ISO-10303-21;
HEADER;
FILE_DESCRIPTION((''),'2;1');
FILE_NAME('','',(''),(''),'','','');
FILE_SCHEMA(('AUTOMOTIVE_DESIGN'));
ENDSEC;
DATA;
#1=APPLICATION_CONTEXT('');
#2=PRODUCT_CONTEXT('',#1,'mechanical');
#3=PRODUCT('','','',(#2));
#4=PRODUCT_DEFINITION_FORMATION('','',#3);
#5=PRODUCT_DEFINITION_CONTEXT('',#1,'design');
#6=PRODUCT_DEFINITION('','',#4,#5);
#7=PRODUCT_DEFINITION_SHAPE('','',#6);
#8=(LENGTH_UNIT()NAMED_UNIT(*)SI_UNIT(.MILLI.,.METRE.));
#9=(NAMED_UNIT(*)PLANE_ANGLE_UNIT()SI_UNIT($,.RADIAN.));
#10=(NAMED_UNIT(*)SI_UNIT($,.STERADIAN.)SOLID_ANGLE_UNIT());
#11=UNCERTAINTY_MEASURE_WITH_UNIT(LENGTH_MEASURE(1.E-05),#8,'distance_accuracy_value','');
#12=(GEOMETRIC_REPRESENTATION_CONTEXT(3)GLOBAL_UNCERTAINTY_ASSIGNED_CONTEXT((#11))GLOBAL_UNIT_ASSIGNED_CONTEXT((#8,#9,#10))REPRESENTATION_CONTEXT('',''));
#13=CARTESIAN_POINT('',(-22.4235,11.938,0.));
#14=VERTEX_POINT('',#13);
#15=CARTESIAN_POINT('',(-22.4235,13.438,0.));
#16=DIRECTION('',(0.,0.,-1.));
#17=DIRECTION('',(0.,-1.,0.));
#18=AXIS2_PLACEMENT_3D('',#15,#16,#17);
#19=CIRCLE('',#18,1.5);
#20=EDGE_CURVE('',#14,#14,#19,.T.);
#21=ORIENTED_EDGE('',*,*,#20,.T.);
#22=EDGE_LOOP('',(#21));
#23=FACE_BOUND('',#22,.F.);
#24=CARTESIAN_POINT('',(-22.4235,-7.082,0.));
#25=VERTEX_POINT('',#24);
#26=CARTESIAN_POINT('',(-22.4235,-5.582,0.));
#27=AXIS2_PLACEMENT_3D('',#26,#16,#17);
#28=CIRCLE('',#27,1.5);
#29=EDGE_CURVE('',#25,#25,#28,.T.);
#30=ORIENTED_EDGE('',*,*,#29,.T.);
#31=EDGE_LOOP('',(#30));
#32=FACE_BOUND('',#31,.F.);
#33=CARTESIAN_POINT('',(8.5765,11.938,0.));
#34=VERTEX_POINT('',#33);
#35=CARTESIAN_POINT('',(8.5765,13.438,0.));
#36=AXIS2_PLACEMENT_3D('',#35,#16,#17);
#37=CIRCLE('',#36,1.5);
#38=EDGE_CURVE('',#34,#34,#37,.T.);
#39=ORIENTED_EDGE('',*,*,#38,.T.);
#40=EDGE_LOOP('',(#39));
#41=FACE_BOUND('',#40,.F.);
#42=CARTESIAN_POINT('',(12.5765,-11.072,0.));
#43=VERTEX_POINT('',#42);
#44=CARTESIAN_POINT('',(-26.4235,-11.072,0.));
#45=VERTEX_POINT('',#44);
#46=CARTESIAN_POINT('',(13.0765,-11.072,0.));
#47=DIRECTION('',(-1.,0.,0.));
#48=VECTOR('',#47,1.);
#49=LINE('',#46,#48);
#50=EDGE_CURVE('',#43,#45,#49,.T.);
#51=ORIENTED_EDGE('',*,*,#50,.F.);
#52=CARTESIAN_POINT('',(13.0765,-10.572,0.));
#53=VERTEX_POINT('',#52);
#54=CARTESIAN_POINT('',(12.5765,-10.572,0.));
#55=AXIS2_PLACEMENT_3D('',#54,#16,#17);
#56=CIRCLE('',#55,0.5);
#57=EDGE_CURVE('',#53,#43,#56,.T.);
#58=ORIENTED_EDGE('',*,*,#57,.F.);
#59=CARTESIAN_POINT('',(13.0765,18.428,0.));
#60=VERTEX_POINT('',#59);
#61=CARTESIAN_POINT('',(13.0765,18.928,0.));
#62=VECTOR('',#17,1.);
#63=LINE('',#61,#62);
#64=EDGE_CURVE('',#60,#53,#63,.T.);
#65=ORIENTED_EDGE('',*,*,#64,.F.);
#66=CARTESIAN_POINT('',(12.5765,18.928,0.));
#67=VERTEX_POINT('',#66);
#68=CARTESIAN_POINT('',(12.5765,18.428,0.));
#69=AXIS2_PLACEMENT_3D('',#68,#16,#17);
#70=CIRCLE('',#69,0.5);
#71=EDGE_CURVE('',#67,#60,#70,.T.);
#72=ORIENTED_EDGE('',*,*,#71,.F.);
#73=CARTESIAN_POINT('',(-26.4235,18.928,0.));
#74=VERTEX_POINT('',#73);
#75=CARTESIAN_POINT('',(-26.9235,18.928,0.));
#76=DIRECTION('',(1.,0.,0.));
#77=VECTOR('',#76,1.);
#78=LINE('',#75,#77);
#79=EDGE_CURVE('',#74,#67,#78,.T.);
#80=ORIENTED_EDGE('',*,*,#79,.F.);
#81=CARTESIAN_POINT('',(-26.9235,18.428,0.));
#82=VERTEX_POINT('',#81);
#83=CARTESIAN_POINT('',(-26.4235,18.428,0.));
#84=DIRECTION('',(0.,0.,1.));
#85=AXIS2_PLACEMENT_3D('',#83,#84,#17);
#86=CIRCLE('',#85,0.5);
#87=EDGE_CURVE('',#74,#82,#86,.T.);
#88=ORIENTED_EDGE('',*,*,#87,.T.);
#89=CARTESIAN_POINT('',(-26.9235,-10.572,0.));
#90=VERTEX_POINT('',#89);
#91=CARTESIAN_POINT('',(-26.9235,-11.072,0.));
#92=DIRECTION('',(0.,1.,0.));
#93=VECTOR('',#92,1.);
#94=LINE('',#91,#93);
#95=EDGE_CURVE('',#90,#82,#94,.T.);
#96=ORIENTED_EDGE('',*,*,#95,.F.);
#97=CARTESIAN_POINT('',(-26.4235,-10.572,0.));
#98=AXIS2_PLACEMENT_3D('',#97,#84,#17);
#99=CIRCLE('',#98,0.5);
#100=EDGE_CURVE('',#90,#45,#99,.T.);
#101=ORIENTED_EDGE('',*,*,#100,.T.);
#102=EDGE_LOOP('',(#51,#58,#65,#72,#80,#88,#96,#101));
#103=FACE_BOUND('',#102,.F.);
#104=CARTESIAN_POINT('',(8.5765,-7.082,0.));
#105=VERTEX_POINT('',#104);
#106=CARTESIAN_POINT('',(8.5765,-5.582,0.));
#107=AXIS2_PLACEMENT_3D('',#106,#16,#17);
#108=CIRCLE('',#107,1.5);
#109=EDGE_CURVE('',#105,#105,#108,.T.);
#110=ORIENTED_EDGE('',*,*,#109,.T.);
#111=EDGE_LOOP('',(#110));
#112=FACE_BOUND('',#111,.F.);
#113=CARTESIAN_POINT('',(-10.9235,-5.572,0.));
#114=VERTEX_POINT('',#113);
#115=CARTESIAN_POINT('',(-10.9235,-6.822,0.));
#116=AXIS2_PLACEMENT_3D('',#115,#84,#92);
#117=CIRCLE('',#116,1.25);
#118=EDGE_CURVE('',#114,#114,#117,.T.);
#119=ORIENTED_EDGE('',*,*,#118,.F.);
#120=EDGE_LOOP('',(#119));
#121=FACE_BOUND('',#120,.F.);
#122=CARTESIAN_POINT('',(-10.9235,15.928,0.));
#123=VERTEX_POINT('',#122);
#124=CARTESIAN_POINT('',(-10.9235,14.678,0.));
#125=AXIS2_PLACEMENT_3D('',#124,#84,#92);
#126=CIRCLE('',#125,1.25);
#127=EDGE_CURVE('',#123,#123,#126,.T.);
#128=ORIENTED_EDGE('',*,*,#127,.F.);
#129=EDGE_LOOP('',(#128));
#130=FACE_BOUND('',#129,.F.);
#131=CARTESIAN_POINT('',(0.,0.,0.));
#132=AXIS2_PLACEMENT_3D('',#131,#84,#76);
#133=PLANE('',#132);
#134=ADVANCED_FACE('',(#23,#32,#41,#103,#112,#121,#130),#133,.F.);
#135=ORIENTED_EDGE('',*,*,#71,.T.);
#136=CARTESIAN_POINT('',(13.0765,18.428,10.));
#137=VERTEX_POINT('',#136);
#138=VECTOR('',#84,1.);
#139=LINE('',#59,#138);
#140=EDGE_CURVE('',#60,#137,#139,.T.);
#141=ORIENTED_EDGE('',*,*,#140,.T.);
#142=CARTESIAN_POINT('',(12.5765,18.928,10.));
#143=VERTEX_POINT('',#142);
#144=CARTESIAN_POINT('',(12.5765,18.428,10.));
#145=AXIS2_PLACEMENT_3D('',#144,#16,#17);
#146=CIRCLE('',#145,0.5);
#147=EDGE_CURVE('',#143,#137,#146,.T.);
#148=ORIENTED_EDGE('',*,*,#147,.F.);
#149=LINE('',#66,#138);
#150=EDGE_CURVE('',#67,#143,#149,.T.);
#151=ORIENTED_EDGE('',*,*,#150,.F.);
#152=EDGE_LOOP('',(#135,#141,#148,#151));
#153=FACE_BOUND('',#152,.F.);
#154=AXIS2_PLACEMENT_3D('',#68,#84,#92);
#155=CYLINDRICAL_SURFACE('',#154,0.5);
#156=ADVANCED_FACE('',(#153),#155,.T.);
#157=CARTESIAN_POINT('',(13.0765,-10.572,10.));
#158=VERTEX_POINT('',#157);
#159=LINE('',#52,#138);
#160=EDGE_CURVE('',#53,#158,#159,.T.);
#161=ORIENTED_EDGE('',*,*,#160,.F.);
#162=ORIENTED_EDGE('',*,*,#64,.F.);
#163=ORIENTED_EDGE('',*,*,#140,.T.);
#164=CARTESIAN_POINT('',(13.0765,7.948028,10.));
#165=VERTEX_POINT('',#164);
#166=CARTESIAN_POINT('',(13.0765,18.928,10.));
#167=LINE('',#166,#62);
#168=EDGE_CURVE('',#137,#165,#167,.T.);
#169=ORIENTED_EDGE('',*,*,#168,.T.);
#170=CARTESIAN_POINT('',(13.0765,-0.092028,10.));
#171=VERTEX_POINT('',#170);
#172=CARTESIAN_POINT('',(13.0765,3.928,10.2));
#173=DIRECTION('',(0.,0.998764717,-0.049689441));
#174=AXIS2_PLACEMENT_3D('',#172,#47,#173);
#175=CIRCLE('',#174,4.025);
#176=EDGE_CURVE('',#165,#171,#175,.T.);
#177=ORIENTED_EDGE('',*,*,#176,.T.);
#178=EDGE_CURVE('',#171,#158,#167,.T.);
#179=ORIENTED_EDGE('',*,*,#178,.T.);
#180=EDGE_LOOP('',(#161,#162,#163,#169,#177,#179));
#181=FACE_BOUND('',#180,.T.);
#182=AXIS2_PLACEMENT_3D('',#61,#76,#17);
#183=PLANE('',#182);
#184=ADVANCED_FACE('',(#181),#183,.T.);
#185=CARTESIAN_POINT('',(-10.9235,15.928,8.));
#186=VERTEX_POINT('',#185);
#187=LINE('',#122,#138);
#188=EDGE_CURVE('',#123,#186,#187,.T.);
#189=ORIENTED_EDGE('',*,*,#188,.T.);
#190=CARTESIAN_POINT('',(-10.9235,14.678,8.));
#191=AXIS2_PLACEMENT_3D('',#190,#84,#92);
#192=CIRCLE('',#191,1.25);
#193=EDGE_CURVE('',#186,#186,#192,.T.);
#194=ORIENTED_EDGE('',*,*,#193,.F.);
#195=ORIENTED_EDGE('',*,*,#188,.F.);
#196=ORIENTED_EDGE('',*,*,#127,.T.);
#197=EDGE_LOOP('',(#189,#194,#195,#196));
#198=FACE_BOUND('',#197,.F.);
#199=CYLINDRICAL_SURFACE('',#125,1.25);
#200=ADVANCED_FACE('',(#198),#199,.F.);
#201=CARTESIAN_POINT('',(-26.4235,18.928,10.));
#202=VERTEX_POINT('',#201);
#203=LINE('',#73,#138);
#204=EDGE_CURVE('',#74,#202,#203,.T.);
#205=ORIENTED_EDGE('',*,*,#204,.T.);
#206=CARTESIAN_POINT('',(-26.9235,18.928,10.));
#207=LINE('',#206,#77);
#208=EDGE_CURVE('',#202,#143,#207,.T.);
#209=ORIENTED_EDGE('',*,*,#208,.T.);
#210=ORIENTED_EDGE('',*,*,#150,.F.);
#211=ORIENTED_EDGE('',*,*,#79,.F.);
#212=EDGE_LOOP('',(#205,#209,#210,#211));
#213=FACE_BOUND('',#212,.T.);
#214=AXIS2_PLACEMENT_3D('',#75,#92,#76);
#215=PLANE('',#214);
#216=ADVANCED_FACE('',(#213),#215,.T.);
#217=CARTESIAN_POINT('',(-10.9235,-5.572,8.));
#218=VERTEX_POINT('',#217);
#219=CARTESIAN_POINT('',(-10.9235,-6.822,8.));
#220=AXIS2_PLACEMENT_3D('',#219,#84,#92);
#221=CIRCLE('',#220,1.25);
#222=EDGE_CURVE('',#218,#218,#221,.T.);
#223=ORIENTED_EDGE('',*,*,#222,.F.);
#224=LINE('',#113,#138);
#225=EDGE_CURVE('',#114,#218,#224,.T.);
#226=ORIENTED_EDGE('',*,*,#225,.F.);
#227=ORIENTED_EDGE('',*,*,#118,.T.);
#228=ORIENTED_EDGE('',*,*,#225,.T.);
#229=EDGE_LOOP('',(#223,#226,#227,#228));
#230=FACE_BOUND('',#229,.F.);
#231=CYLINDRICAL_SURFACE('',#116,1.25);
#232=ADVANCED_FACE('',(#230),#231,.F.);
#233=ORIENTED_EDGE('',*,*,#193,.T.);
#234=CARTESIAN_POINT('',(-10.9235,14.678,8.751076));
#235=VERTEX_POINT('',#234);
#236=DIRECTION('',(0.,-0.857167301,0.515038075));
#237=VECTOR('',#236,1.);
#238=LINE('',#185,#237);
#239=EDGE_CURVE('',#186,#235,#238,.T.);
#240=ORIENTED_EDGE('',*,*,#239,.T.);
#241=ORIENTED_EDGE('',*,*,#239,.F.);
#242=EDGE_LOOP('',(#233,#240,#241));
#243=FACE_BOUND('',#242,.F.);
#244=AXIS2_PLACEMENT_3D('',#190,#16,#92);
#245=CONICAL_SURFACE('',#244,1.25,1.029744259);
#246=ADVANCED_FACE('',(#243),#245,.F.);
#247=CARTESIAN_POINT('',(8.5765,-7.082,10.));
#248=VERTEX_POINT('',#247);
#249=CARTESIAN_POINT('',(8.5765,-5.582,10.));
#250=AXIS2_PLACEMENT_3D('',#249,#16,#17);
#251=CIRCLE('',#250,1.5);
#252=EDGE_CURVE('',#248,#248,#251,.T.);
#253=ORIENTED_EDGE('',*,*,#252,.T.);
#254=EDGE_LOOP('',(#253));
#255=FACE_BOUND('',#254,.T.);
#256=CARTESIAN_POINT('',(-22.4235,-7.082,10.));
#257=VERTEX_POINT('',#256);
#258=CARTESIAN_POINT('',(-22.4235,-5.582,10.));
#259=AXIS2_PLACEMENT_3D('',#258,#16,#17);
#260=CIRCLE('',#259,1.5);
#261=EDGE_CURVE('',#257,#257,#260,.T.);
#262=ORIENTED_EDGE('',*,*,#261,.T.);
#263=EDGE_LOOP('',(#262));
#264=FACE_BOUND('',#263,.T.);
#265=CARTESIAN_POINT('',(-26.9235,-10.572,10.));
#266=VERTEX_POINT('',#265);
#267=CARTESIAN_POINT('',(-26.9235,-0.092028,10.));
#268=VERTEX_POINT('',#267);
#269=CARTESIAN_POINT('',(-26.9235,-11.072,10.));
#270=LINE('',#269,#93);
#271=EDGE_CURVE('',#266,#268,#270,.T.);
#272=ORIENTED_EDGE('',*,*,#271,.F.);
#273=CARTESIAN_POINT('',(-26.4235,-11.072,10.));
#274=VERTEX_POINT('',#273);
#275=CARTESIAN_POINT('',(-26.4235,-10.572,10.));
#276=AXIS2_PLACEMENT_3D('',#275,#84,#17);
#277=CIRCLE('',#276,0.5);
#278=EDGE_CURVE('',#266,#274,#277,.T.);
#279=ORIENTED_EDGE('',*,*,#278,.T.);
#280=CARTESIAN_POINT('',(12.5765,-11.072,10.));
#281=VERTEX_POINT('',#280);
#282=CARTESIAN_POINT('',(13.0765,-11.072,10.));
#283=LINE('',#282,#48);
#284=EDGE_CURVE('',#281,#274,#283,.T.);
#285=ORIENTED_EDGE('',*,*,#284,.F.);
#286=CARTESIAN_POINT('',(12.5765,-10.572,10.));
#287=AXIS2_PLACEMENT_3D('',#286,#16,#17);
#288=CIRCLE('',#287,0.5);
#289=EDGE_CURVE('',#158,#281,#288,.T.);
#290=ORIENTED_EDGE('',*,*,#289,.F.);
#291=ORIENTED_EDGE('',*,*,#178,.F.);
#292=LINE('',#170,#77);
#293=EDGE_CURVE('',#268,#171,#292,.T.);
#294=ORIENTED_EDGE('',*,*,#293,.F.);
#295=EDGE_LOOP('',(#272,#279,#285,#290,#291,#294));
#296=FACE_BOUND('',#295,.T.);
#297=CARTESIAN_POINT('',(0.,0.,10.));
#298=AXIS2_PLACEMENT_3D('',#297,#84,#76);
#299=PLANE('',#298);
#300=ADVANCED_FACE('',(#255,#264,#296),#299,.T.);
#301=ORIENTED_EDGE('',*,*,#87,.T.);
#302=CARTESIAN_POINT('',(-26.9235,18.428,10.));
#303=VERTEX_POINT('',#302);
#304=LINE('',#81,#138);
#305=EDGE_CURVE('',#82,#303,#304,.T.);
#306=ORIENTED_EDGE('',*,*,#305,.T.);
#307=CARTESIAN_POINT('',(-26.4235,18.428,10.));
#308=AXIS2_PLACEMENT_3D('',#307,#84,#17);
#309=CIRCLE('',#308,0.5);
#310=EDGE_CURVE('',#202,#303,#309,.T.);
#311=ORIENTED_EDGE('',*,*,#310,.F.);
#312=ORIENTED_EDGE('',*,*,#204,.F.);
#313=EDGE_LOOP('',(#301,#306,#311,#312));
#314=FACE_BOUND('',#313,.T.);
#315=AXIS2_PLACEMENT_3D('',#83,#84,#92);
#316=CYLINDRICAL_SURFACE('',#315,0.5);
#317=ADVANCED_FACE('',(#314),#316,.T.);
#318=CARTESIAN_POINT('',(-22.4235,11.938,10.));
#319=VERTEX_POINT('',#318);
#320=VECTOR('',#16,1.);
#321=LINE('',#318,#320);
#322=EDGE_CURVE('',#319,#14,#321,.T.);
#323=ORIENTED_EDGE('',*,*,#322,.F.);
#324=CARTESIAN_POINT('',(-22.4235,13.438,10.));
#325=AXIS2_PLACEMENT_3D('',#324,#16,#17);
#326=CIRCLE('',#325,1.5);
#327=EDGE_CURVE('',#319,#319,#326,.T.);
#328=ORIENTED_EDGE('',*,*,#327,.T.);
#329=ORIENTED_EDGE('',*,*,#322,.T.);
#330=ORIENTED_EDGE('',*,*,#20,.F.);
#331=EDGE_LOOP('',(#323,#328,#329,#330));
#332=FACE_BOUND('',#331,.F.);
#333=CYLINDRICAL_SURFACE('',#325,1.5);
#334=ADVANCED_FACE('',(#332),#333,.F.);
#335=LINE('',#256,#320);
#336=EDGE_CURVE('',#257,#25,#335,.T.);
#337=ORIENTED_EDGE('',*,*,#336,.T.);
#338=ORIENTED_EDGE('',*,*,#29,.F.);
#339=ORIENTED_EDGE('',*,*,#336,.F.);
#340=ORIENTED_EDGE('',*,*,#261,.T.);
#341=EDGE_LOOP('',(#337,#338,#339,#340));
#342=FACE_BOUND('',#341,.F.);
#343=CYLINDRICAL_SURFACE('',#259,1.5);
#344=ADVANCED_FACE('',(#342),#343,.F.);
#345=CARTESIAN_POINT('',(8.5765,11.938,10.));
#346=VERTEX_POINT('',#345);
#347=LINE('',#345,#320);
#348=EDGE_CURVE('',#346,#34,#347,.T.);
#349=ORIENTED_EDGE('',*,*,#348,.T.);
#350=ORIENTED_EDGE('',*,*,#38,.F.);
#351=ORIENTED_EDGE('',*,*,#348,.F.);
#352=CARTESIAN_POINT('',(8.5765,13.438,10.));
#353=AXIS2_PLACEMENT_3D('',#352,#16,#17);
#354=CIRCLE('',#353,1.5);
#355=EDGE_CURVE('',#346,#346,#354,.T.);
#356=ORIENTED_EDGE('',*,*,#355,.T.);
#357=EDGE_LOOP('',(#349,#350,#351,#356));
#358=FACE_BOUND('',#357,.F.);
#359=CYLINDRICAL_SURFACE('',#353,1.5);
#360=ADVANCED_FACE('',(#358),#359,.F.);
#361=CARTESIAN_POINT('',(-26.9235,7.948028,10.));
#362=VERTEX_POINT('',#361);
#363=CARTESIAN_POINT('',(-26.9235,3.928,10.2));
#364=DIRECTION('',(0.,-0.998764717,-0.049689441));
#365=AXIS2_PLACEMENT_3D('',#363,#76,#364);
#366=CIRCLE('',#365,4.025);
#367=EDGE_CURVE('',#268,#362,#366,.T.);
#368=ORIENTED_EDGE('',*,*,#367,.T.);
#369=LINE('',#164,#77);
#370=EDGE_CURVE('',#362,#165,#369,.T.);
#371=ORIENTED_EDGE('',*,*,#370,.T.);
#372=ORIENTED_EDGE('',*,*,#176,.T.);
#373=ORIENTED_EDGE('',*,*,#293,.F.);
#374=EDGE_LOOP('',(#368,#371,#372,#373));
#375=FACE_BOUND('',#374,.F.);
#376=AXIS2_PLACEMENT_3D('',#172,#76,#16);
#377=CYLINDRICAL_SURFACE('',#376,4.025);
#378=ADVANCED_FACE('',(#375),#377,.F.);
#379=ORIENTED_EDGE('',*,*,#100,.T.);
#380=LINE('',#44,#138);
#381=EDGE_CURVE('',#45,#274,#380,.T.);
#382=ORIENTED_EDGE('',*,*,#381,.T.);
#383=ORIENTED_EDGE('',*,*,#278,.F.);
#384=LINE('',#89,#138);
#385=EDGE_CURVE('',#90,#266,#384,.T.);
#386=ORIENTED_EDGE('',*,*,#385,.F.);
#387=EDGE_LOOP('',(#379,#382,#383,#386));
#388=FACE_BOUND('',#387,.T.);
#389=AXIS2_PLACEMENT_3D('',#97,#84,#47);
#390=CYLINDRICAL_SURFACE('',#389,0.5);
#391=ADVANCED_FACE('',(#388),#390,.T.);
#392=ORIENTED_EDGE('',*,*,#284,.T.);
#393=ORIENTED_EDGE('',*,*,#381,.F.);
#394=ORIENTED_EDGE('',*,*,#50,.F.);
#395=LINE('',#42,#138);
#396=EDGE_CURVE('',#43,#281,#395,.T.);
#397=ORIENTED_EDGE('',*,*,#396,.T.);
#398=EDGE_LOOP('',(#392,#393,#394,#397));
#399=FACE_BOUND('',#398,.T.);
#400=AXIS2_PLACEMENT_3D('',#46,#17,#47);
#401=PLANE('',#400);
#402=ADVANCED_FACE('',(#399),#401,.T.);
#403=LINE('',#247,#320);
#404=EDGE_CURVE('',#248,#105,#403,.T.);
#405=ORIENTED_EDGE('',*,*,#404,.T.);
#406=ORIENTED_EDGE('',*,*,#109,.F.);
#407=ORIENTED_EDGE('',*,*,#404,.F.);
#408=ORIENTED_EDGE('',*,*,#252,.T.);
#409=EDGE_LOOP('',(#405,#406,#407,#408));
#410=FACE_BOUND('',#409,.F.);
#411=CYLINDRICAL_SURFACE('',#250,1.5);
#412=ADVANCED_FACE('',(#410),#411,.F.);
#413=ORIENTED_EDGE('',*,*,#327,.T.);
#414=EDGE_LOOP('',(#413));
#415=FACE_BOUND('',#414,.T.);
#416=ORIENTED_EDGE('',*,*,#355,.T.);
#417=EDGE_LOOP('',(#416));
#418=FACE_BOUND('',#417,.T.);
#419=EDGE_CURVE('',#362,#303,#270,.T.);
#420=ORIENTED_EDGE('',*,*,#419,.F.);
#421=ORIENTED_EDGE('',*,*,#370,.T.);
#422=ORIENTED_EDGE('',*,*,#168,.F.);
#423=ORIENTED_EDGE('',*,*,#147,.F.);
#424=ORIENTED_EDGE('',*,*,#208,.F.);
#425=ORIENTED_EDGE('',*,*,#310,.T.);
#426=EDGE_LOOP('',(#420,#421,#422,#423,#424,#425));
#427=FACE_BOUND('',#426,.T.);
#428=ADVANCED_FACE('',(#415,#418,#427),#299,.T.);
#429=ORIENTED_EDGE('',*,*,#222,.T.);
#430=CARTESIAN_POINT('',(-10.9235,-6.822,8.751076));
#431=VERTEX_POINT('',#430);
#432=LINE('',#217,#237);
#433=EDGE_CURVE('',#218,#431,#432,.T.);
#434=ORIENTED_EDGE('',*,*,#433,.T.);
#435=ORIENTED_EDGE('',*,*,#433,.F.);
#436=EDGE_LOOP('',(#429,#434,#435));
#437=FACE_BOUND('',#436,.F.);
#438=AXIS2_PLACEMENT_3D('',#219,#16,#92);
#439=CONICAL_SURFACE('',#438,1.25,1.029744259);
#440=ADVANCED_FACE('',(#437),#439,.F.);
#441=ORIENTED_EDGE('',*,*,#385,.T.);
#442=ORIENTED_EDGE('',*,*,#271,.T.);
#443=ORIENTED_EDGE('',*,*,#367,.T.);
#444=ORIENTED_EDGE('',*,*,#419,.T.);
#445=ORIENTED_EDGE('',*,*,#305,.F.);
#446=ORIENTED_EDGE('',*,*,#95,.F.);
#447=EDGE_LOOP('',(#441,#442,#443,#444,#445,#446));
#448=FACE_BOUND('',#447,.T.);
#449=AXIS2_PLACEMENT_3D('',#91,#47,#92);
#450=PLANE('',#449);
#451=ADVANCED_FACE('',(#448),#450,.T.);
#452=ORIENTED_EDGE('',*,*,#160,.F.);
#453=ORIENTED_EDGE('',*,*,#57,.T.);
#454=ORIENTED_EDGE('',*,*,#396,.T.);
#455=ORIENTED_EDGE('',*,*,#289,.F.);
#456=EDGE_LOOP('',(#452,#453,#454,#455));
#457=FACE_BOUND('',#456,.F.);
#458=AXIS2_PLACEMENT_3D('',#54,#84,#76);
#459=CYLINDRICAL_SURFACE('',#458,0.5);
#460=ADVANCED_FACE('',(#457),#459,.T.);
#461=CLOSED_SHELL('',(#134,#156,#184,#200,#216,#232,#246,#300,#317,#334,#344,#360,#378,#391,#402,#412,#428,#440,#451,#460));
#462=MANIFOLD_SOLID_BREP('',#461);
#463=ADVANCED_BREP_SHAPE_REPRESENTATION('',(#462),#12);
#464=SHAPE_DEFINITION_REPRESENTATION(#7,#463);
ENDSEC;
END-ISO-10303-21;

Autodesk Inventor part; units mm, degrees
ref_plane "YZ Plane" through (0, 0, 0) normal (1, 0, 0) x (0, 1, 0)
ref_plane "XZ Plane" through (0, 0, 0) normal (0, 1, 0) x (-1, 0, 0)
ref_plane "XY Plane" through (0, 0, 0) normal (0, 0, 1) x (1, 0, 0)
sketch "Sketch1" plane through (0, 0, 0) normal (0, 0, 1) x (1, 0, 0)
  line L0 (-26.9235, 18.928) -> (13.0765, 18.928)
  line L1 (13.0765, 18.928) -> (13.0765, -11.072)
  line L2 (13.0765, -11.072) -> (-26.9235, -11.072)
  line L3 (-26.9235, -11.072) -> (-26.9235, 18.928)
  point P0 (0, 0)
  dimension "d1" = 30
  dimension "d47" = 40
extrude "Extrusion1" add sketch "Sketch1" along normal blind 10
sketch "Sketch2" plane through (13.0765, -11.072, 10) normal (1, 0, 0) x (0, 0, -1)
  line L0 (10, 30) -> (0, 30) projected
  line L1 (0, 0) -> (0, 30) projected
  line L2 (10, 0) -> (0, 0) projected
  circle A0 centre (-0.2, 15) radius 4.025
  line L3 (10, 30) -> (10, 0) projected
  dimension "d20" = 30
  dimension "d21" = 15
  dimension "d22" = 0.2
  dimension "d23" = 8.05
extrude "Extrusion3" cut sketch "Sketch2" against normal through all contours A0 L1 | L1 A0
sketch "Sketch3" plane through (0, 0, 10) normal (0, 0, 1) x (1, 0, 0)
  line L0 (13.0765, -0.092) -> (-26.9235, -0.092) projected
  line L1 (-26.9235, -0.092) -> (-26.9235, -11.072) projected
  line L2 (-26.9235, -11.072) -> (13.0765, -11.072) projected
  line L3 (13.0765, -11.072) -> (13.0765, -0.092) projected
  line L4 (-26.9235, 7.948) -> (13.0765, 7.948) projected
  line L5 (13.0765, 7.948) -> (13.0765, 18.928) projected
  line L6 (13.0765, 18.928) -> (-26.9235, 18.928) projected
  line L7 (-26.9235, 18.928) -> (-26.9235, 7.948) projected
  point P0 (0, 0)
  point P1 (8.5765, -5.582)
  point P2 (-22.4235, -5.582)
  point P3 (8.5765, 13.438)
  point P4 (-22.4235, 13.438)
  dimension "d26" = 4.5
  dimension "d27" = 10.98
  dimension "d28" = 5.49
  dimension "d29" = 5.49
  dimension "d30" = 4.5
hole "Hole2" at (8.5765, -5.582, 10) at (-22.4235, -5.582, 10) at (8.5765, 13.438, 10) at (-22.4235, 13.438, 10) direction (0, 0, -1) diameter 3 depth 20 tip angle 118
fillet "Fillet2" radius 0.5 4 edges at (13.0765, 18.928, 5) (-26.9235, 18.928, 5) (13.0765, -11.072, 5) (-26.9235, -11.072, 5)
sketch "Sketch5" plane through (0, 0, 0) normal (0, 0, -1) x (-1, 0, 0)
  arc A0 (26.4235, -11.072) -> (26.9235, -10.572) centre (26.4235, -10.572) ccw projected
  line L0 (26.9235, -10.572) -> (26.9235, 18.428) projected
  arc A1 (26.9235, 18.428) -> (26.4235, 18.928) centre (26.4235, 18.428) ccw projected
  line L1 (26.4235, 18.928) -> (-12.5765, 18.928) projected
  arc A2 (-12.5765, 18.928) -> (-13.0765, 18.428) centre (-12.5765, 18.428) ccw projected
  line L2 (-13.0765, 18.428) -> (-13.0765, -10.572) projected
  arc A3 (-13.0765, -10.572) -> (-12.5765, -11.072) centre (-12.5765, -10.572) ccw projected
  line L3 (-12.5765, -11.072) -> (26.4235, -11.072) projected
  circle A4 centre (-8.5765, 13.438) radius 1.5 projected
  circle A5 centre (-8.5765, -5.582) radius 1.5 projected
  circle A6 centre (22.4235, -5.582) radius 1.5 projected
  circle A7 centre (22.4235, 13.438) radius 1.5 projected
  point P0 (0, 0)
  point P1 (10.9235, -6.822)
  point P2 (10.9235, 14.678)
  dimension "d48" = 4.25
  dimension "d49" = 4.25
  dimension "d50" = 16
hole "Hole4" at (-10.9235, -6.822, 0) at (-10.9235, 14.678, 0) direction (0, 0, 1) diameter 2.5 depth 8 tip angle 118
equation "\"d21\" = 0.5 * d20"
equation "\"d28\" = 0.5 * d27"
equation "\"d29\" = d28"
equation "\"d30\" = d26"
equation "\"d49\" = d48"
properties part number "3DP_PLA_Y_axis_linear_shaft_mount_clamp_with_endstop" material "ABS Plastic"
